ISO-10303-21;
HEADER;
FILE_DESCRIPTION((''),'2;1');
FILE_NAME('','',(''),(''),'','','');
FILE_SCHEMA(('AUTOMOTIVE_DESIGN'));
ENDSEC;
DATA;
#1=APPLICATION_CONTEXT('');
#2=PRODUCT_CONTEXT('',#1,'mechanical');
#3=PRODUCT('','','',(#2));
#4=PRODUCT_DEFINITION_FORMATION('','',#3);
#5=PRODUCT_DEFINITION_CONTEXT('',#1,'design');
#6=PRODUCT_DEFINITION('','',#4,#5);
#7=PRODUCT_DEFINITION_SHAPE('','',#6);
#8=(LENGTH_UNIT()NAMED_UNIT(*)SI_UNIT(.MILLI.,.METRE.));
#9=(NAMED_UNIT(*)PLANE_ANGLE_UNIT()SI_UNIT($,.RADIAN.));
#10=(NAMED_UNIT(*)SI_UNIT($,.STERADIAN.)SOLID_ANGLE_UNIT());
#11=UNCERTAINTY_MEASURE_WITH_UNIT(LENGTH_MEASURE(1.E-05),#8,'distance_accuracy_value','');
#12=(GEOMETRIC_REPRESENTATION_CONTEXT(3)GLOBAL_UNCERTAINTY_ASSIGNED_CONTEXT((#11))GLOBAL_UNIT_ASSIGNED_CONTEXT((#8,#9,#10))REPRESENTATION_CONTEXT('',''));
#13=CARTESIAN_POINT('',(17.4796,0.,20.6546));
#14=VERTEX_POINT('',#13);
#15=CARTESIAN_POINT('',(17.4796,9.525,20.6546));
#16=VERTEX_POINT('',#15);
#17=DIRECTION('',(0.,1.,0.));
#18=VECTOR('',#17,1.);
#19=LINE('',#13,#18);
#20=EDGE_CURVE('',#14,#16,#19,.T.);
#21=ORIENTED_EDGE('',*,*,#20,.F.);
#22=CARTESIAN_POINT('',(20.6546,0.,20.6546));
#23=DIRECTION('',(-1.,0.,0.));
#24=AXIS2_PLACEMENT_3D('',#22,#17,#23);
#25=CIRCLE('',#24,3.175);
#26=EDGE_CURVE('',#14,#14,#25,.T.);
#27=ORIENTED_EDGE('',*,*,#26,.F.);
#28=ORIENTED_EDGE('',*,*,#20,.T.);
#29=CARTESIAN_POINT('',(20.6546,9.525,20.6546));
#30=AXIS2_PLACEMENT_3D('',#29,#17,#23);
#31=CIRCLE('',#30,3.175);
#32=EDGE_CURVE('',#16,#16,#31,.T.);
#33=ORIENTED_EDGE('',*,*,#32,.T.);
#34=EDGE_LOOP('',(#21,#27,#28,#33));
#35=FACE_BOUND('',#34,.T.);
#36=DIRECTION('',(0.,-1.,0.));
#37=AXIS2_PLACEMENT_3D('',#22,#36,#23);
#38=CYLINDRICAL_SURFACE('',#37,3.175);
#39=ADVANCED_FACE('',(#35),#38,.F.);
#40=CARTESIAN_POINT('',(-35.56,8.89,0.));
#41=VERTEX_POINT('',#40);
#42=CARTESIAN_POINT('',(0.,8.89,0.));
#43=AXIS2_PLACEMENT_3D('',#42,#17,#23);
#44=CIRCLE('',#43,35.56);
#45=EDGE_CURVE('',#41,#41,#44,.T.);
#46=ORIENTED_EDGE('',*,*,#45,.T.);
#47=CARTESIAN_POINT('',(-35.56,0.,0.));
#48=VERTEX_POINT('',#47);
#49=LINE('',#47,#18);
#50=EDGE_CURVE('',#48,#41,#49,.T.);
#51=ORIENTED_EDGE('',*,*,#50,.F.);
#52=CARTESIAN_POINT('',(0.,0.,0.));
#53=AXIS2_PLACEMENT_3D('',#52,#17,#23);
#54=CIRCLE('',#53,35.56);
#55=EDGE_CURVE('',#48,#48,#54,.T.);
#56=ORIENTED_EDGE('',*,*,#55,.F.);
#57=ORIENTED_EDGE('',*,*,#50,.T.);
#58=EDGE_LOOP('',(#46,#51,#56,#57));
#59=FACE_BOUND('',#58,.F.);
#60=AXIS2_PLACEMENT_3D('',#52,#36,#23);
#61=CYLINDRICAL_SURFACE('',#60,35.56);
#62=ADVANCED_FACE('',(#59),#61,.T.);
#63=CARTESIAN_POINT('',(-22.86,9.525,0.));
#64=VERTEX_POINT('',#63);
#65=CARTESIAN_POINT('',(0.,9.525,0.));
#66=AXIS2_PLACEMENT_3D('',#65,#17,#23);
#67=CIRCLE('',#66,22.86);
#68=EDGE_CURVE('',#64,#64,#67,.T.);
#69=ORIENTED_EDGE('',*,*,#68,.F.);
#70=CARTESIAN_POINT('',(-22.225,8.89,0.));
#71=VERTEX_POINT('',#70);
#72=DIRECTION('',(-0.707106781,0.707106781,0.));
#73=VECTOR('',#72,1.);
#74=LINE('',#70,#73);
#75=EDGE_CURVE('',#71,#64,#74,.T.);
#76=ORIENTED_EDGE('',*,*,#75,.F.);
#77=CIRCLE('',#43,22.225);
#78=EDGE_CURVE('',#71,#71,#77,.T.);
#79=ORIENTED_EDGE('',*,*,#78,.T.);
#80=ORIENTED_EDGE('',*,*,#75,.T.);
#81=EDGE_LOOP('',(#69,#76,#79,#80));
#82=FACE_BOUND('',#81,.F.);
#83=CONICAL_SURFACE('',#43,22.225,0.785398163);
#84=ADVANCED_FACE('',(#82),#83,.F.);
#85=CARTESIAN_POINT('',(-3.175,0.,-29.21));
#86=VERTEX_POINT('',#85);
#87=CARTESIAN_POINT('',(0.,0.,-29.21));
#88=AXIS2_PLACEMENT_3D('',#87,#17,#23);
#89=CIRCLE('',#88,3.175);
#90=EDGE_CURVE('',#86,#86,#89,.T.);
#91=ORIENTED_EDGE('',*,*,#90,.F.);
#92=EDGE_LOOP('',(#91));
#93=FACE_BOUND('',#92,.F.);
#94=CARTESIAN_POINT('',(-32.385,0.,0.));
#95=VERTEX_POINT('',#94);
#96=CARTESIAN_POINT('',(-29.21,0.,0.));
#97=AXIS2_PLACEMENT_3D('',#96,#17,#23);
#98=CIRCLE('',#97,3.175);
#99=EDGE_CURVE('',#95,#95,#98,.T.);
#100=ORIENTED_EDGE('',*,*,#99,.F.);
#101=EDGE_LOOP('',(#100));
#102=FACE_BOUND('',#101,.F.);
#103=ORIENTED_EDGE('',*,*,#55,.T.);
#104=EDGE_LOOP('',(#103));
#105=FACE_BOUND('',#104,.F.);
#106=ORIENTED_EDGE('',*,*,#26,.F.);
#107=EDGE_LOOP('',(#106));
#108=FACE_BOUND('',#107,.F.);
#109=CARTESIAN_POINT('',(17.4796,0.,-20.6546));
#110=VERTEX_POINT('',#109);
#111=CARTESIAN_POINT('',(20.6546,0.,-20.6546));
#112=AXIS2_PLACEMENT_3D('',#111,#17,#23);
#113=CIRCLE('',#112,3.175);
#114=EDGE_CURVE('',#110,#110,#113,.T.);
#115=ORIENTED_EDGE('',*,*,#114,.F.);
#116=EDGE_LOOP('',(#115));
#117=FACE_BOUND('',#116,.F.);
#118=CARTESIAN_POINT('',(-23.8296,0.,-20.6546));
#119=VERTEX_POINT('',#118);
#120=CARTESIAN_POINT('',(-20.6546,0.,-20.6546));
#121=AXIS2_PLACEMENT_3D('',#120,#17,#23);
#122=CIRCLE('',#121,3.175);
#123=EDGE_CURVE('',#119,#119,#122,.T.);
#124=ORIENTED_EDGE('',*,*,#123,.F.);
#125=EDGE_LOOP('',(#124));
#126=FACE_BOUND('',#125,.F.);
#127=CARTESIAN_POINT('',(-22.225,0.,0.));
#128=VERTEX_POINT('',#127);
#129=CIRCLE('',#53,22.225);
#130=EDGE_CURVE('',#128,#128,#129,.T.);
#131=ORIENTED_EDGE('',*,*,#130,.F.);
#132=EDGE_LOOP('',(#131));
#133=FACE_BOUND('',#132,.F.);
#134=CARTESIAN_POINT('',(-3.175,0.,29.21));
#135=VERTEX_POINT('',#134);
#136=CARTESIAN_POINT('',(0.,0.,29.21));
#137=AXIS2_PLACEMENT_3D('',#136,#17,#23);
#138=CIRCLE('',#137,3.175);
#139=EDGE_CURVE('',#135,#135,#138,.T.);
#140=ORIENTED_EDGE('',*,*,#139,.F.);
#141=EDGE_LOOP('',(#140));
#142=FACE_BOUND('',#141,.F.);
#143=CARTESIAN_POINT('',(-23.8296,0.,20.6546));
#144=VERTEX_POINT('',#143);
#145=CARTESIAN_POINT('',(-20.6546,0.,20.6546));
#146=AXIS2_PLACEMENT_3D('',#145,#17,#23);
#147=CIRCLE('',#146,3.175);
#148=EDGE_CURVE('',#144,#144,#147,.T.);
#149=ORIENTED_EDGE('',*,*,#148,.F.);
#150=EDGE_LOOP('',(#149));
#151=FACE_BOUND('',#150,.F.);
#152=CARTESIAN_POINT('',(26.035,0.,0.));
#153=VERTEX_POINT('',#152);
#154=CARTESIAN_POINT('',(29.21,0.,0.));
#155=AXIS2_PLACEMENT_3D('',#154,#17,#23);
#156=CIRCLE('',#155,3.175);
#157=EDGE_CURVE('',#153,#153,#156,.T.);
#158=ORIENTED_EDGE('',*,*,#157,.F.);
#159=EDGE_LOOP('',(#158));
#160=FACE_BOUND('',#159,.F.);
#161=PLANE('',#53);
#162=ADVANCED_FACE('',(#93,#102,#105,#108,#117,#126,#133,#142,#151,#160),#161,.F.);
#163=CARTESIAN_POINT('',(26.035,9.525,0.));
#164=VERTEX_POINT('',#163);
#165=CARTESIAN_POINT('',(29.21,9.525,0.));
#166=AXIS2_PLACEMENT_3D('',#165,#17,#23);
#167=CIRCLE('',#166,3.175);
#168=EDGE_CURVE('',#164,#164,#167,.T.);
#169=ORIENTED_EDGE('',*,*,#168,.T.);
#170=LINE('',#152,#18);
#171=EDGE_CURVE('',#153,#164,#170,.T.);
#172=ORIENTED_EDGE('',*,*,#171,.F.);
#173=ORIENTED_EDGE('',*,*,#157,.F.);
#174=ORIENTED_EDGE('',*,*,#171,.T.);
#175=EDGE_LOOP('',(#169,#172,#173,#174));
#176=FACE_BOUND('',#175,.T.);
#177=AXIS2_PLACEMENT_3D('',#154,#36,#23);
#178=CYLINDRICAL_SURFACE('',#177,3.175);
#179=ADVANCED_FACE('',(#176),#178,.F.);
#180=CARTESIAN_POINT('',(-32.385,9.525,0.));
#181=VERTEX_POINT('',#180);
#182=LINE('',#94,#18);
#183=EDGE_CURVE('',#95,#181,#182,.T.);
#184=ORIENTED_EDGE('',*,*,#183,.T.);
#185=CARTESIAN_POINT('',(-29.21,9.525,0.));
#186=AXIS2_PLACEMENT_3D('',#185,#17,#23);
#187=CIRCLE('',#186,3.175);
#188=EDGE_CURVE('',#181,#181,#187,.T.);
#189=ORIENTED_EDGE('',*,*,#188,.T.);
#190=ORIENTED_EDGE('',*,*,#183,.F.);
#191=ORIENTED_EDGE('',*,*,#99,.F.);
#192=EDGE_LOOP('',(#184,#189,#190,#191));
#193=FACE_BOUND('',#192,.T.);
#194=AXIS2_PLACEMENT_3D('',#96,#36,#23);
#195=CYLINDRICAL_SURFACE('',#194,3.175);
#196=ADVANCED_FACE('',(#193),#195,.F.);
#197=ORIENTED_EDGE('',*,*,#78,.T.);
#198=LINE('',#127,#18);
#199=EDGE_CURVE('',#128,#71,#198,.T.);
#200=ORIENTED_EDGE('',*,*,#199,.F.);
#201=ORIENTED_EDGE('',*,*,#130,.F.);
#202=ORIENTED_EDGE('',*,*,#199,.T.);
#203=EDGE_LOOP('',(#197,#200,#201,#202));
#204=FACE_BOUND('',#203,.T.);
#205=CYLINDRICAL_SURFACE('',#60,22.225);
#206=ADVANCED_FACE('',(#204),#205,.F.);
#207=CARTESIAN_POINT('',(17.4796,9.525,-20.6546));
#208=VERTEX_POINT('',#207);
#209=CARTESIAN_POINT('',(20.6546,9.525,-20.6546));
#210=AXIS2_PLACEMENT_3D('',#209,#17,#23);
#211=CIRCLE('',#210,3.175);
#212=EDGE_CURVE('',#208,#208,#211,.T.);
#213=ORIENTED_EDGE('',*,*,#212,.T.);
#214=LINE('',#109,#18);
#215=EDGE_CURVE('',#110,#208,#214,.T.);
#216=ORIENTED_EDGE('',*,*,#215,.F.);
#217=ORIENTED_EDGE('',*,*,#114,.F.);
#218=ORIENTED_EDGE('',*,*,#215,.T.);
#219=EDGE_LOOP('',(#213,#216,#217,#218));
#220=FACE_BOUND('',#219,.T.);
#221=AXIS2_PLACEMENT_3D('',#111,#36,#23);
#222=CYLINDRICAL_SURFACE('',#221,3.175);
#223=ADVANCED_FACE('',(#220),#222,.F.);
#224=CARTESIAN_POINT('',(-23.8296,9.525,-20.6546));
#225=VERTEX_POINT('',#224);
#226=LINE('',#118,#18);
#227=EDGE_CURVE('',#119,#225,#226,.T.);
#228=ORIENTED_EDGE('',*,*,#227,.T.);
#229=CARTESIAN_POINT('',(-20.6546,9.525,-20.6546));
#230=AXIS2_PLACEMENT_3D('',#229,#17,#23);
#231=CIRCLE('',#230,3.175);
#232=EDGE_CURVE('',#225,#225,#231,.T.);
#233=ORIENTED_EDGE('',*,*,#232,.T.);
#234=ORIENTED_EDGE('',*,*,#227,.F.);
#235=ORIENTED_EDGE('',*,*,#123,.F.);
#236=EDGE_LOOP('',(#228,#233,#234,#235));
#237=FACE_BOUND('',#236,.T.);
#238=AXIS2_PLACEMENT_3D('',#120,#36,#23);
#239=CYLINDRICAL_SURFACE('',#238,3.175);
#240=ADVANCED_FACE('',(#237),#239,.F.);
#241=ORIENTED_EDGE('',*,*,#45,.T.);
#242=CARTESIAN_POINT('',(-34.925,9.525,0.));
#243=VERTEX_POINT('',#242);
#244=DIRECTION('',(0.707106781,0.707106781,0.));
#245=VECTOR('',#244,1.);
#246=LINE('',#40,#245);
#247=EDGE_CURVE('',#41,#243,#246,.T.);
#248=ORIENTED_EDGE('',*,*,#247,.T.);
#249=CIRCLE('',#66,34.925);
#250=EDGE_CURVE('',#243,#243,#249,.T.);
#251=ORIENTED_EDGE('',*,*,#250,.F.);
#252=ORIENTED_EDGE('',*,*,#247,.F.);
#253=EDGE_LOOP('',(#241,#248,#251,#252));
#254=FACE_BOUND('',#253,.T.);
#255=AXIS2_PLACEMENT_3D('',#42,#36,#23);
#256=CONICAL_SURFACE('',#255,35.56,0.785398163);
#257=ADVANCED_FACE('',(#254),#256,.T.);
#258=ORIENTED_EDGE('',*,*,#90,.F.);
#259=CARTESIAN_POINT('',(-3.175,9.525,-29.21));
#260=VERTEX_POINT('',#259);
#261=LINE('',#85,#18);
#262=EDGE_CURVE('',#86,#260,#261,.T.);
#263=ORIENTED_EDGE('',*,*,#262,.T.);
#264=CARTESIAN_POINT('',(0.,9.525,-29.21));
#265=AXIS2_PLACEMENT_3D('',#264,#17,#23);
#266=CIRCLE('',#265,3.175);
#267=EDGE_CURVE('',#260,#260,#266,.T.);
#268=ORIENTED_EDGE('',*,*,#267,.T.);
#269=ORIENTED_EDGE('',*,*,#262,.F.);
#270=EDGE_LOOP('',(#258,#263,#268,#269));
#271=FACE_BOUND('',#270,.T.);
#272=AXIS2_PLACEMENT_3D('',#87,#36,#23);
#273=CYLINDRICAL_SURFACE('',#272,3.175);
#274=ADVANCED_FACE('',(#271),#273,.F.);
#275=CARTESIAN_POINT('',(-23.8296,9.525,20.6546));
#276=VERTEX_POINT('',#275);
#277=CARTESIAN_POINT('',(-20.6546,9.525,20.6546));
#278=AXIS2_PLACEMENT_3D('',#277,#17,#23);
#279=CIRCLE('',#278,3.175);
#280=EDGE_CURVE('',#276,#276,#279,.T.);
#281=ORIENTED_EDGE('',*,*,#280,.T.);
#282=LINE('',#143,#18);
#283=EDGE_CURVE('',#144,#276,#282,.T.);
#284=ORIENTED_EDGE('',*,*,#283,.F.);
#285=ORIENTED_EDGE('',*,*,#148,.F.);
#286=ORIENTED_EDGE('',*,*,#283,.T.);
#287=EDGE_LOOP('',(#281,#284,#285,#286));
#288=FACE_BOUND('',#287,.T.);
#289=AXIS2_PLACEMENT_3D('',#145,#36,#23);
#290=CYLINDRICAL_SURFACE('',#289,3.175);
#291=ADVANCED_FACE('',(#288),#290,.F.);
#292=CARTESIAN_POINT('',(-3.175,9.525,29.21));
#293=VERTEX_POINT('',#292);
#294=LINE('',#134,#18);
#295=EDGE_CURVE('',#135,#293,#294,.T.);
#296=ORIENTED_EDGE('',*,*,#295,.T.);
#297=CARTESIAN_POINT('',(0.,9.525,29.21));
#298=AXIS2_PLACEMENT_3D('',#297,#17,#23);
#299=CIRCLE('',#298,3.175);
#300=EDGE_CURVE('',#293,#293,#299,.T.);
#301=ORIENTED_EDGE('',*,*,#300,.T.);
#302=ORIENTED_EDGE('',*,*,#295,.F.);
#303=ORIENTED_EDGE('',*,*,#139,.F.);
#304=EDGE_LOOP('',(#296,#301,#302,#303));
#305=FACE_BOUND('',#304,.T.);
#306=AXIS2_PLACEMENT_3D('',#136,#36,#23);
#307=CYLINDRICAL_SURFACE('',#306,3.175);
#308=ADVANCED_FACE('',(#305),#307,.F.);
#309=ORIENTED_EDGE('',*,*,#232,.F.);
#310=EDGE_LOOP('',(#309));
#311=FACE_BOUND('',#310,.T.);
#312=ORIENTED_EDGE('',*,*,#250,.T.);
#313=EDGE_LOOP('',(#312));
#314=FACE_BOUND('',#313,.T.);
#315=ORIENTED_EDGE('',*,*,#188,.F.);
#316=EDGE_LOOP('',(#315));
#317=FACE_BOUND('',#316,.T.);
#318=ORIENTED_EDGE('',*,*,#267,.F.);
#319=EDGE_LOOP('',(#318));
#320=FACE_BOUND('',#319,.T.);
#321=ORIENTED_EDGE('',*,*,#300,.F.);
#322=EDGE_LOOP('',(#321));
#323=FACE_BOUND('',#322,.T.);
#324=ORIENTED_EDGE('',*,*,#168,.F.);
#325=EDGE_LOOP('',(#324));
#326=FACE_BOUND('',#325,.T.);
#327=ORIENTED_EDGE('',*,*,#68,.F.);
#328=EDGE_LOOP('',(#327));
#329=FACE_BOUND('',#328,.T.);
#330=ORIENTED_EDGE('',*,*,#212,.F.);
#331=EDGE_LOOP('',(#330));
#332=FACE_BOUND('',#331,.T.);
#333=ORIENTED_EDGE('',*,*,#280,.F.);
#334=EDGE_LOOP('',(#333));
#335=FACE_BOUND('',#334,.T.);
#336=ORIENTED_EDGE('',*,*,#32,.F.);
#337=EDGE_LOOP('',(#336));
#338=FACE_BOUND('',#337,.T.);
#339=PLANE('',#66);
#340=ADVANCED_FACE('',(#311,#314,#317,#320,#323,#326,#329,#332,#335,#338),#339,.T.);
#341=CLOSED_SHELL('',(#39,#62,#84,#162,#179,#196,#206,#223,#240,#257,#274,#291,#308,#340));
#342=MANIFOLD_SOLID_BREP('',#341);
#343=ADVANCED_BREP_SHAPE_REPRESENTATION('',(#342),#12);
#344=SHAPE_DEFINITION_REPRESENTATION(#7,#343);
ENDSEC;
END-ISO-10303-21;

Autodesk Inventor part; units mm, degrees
ref_plane "YZ Plane" through (0, 0, 0) normal (1, 0, 0) x (0, 1, 0)
ref_plane "XZ Plane" through (0, 0, 0) normal (0, 1, 0) x (-1, 0, 0)
ref_plane "XY Plane" through (0, 0, 0) normal (0, 0, 1) x (1, 0, 0)
sketch "Sketch1" plane through (0, 0, 0) normal (0, 1, 0) x (-1, 0, 0)
  circle A0 centre (0, 0) radius 35.56
  circle A1 centre (0, 0) radius 22.225
  line L0 (0, 0) -> (29.21, 0) construction
  circle A2 centre (29.21, 0) radius 3.175
  circle A3 centre (20.6546, 20.6546) radius 3.175
  circle A4 centre (0, 29.21) radius 3.175
  circle A5 centre (-20.6546, 20.6546) radius 3.175
  circle A6 centre (-29.21, 0) radius 3.175
  circle A7 centre (-20.6546, -20.6546) radius 3.175
  circle A8 centre (0, -29.21) radius 3.175
  circle A9 centre (20.6546, -20.6546) radius 3.175
  dimension "d0" = 71.12
  dimension "d1" = 44.45
  dimension "d2" = 29.21
  dimension "d3" = 6.35
  dimension "d6" = 360
extrude "Extrusion1" add sketch "Sketch1" along normal blind 9.525
thread "Thread1" size "1/4-20 UNC" class "2B" standard "ANSI Unified Screw Threads" full length
thread "Thread2" size "1/4-20 UNC" class "2B" standard "ANSI Unified Screw Threads" full length
thread "Thread3" size "1/4-20 UNC" class "2B" standard "ANSI Unified Screw Threads" full length
thread "Thread4" size "1/4-20 UNC" class "2B" standard "ANSI Unified Screw Threads" full length
thread "Thread5" size "1/4-20 UNC" class "2B" standard "ANSI Unified Screw Threads" full length
thread "Thread6" size "1/4-20 UNC" class "2B" standard "ANSI Unified Screw Threads" full length
thread "Thread7" size "1/4-20 UNC" class "2B" standard "ANSI Unified Screw Threads" full length
thread "Thread8" size "1/4-20 UNC" class "2B" standard "ANSI Unified Screw Threads" full length
chamfer "Chamfer1" distance 0.635 angle 45 2 edges at (35.56, 9.525, 0) (22.225, 9.525, 0)
equation "\"d2\" = 0.5 * d0 - d3"
properties part number "Rotary Pneumatic Cylinder Axis" material "Aluminum 6061"
